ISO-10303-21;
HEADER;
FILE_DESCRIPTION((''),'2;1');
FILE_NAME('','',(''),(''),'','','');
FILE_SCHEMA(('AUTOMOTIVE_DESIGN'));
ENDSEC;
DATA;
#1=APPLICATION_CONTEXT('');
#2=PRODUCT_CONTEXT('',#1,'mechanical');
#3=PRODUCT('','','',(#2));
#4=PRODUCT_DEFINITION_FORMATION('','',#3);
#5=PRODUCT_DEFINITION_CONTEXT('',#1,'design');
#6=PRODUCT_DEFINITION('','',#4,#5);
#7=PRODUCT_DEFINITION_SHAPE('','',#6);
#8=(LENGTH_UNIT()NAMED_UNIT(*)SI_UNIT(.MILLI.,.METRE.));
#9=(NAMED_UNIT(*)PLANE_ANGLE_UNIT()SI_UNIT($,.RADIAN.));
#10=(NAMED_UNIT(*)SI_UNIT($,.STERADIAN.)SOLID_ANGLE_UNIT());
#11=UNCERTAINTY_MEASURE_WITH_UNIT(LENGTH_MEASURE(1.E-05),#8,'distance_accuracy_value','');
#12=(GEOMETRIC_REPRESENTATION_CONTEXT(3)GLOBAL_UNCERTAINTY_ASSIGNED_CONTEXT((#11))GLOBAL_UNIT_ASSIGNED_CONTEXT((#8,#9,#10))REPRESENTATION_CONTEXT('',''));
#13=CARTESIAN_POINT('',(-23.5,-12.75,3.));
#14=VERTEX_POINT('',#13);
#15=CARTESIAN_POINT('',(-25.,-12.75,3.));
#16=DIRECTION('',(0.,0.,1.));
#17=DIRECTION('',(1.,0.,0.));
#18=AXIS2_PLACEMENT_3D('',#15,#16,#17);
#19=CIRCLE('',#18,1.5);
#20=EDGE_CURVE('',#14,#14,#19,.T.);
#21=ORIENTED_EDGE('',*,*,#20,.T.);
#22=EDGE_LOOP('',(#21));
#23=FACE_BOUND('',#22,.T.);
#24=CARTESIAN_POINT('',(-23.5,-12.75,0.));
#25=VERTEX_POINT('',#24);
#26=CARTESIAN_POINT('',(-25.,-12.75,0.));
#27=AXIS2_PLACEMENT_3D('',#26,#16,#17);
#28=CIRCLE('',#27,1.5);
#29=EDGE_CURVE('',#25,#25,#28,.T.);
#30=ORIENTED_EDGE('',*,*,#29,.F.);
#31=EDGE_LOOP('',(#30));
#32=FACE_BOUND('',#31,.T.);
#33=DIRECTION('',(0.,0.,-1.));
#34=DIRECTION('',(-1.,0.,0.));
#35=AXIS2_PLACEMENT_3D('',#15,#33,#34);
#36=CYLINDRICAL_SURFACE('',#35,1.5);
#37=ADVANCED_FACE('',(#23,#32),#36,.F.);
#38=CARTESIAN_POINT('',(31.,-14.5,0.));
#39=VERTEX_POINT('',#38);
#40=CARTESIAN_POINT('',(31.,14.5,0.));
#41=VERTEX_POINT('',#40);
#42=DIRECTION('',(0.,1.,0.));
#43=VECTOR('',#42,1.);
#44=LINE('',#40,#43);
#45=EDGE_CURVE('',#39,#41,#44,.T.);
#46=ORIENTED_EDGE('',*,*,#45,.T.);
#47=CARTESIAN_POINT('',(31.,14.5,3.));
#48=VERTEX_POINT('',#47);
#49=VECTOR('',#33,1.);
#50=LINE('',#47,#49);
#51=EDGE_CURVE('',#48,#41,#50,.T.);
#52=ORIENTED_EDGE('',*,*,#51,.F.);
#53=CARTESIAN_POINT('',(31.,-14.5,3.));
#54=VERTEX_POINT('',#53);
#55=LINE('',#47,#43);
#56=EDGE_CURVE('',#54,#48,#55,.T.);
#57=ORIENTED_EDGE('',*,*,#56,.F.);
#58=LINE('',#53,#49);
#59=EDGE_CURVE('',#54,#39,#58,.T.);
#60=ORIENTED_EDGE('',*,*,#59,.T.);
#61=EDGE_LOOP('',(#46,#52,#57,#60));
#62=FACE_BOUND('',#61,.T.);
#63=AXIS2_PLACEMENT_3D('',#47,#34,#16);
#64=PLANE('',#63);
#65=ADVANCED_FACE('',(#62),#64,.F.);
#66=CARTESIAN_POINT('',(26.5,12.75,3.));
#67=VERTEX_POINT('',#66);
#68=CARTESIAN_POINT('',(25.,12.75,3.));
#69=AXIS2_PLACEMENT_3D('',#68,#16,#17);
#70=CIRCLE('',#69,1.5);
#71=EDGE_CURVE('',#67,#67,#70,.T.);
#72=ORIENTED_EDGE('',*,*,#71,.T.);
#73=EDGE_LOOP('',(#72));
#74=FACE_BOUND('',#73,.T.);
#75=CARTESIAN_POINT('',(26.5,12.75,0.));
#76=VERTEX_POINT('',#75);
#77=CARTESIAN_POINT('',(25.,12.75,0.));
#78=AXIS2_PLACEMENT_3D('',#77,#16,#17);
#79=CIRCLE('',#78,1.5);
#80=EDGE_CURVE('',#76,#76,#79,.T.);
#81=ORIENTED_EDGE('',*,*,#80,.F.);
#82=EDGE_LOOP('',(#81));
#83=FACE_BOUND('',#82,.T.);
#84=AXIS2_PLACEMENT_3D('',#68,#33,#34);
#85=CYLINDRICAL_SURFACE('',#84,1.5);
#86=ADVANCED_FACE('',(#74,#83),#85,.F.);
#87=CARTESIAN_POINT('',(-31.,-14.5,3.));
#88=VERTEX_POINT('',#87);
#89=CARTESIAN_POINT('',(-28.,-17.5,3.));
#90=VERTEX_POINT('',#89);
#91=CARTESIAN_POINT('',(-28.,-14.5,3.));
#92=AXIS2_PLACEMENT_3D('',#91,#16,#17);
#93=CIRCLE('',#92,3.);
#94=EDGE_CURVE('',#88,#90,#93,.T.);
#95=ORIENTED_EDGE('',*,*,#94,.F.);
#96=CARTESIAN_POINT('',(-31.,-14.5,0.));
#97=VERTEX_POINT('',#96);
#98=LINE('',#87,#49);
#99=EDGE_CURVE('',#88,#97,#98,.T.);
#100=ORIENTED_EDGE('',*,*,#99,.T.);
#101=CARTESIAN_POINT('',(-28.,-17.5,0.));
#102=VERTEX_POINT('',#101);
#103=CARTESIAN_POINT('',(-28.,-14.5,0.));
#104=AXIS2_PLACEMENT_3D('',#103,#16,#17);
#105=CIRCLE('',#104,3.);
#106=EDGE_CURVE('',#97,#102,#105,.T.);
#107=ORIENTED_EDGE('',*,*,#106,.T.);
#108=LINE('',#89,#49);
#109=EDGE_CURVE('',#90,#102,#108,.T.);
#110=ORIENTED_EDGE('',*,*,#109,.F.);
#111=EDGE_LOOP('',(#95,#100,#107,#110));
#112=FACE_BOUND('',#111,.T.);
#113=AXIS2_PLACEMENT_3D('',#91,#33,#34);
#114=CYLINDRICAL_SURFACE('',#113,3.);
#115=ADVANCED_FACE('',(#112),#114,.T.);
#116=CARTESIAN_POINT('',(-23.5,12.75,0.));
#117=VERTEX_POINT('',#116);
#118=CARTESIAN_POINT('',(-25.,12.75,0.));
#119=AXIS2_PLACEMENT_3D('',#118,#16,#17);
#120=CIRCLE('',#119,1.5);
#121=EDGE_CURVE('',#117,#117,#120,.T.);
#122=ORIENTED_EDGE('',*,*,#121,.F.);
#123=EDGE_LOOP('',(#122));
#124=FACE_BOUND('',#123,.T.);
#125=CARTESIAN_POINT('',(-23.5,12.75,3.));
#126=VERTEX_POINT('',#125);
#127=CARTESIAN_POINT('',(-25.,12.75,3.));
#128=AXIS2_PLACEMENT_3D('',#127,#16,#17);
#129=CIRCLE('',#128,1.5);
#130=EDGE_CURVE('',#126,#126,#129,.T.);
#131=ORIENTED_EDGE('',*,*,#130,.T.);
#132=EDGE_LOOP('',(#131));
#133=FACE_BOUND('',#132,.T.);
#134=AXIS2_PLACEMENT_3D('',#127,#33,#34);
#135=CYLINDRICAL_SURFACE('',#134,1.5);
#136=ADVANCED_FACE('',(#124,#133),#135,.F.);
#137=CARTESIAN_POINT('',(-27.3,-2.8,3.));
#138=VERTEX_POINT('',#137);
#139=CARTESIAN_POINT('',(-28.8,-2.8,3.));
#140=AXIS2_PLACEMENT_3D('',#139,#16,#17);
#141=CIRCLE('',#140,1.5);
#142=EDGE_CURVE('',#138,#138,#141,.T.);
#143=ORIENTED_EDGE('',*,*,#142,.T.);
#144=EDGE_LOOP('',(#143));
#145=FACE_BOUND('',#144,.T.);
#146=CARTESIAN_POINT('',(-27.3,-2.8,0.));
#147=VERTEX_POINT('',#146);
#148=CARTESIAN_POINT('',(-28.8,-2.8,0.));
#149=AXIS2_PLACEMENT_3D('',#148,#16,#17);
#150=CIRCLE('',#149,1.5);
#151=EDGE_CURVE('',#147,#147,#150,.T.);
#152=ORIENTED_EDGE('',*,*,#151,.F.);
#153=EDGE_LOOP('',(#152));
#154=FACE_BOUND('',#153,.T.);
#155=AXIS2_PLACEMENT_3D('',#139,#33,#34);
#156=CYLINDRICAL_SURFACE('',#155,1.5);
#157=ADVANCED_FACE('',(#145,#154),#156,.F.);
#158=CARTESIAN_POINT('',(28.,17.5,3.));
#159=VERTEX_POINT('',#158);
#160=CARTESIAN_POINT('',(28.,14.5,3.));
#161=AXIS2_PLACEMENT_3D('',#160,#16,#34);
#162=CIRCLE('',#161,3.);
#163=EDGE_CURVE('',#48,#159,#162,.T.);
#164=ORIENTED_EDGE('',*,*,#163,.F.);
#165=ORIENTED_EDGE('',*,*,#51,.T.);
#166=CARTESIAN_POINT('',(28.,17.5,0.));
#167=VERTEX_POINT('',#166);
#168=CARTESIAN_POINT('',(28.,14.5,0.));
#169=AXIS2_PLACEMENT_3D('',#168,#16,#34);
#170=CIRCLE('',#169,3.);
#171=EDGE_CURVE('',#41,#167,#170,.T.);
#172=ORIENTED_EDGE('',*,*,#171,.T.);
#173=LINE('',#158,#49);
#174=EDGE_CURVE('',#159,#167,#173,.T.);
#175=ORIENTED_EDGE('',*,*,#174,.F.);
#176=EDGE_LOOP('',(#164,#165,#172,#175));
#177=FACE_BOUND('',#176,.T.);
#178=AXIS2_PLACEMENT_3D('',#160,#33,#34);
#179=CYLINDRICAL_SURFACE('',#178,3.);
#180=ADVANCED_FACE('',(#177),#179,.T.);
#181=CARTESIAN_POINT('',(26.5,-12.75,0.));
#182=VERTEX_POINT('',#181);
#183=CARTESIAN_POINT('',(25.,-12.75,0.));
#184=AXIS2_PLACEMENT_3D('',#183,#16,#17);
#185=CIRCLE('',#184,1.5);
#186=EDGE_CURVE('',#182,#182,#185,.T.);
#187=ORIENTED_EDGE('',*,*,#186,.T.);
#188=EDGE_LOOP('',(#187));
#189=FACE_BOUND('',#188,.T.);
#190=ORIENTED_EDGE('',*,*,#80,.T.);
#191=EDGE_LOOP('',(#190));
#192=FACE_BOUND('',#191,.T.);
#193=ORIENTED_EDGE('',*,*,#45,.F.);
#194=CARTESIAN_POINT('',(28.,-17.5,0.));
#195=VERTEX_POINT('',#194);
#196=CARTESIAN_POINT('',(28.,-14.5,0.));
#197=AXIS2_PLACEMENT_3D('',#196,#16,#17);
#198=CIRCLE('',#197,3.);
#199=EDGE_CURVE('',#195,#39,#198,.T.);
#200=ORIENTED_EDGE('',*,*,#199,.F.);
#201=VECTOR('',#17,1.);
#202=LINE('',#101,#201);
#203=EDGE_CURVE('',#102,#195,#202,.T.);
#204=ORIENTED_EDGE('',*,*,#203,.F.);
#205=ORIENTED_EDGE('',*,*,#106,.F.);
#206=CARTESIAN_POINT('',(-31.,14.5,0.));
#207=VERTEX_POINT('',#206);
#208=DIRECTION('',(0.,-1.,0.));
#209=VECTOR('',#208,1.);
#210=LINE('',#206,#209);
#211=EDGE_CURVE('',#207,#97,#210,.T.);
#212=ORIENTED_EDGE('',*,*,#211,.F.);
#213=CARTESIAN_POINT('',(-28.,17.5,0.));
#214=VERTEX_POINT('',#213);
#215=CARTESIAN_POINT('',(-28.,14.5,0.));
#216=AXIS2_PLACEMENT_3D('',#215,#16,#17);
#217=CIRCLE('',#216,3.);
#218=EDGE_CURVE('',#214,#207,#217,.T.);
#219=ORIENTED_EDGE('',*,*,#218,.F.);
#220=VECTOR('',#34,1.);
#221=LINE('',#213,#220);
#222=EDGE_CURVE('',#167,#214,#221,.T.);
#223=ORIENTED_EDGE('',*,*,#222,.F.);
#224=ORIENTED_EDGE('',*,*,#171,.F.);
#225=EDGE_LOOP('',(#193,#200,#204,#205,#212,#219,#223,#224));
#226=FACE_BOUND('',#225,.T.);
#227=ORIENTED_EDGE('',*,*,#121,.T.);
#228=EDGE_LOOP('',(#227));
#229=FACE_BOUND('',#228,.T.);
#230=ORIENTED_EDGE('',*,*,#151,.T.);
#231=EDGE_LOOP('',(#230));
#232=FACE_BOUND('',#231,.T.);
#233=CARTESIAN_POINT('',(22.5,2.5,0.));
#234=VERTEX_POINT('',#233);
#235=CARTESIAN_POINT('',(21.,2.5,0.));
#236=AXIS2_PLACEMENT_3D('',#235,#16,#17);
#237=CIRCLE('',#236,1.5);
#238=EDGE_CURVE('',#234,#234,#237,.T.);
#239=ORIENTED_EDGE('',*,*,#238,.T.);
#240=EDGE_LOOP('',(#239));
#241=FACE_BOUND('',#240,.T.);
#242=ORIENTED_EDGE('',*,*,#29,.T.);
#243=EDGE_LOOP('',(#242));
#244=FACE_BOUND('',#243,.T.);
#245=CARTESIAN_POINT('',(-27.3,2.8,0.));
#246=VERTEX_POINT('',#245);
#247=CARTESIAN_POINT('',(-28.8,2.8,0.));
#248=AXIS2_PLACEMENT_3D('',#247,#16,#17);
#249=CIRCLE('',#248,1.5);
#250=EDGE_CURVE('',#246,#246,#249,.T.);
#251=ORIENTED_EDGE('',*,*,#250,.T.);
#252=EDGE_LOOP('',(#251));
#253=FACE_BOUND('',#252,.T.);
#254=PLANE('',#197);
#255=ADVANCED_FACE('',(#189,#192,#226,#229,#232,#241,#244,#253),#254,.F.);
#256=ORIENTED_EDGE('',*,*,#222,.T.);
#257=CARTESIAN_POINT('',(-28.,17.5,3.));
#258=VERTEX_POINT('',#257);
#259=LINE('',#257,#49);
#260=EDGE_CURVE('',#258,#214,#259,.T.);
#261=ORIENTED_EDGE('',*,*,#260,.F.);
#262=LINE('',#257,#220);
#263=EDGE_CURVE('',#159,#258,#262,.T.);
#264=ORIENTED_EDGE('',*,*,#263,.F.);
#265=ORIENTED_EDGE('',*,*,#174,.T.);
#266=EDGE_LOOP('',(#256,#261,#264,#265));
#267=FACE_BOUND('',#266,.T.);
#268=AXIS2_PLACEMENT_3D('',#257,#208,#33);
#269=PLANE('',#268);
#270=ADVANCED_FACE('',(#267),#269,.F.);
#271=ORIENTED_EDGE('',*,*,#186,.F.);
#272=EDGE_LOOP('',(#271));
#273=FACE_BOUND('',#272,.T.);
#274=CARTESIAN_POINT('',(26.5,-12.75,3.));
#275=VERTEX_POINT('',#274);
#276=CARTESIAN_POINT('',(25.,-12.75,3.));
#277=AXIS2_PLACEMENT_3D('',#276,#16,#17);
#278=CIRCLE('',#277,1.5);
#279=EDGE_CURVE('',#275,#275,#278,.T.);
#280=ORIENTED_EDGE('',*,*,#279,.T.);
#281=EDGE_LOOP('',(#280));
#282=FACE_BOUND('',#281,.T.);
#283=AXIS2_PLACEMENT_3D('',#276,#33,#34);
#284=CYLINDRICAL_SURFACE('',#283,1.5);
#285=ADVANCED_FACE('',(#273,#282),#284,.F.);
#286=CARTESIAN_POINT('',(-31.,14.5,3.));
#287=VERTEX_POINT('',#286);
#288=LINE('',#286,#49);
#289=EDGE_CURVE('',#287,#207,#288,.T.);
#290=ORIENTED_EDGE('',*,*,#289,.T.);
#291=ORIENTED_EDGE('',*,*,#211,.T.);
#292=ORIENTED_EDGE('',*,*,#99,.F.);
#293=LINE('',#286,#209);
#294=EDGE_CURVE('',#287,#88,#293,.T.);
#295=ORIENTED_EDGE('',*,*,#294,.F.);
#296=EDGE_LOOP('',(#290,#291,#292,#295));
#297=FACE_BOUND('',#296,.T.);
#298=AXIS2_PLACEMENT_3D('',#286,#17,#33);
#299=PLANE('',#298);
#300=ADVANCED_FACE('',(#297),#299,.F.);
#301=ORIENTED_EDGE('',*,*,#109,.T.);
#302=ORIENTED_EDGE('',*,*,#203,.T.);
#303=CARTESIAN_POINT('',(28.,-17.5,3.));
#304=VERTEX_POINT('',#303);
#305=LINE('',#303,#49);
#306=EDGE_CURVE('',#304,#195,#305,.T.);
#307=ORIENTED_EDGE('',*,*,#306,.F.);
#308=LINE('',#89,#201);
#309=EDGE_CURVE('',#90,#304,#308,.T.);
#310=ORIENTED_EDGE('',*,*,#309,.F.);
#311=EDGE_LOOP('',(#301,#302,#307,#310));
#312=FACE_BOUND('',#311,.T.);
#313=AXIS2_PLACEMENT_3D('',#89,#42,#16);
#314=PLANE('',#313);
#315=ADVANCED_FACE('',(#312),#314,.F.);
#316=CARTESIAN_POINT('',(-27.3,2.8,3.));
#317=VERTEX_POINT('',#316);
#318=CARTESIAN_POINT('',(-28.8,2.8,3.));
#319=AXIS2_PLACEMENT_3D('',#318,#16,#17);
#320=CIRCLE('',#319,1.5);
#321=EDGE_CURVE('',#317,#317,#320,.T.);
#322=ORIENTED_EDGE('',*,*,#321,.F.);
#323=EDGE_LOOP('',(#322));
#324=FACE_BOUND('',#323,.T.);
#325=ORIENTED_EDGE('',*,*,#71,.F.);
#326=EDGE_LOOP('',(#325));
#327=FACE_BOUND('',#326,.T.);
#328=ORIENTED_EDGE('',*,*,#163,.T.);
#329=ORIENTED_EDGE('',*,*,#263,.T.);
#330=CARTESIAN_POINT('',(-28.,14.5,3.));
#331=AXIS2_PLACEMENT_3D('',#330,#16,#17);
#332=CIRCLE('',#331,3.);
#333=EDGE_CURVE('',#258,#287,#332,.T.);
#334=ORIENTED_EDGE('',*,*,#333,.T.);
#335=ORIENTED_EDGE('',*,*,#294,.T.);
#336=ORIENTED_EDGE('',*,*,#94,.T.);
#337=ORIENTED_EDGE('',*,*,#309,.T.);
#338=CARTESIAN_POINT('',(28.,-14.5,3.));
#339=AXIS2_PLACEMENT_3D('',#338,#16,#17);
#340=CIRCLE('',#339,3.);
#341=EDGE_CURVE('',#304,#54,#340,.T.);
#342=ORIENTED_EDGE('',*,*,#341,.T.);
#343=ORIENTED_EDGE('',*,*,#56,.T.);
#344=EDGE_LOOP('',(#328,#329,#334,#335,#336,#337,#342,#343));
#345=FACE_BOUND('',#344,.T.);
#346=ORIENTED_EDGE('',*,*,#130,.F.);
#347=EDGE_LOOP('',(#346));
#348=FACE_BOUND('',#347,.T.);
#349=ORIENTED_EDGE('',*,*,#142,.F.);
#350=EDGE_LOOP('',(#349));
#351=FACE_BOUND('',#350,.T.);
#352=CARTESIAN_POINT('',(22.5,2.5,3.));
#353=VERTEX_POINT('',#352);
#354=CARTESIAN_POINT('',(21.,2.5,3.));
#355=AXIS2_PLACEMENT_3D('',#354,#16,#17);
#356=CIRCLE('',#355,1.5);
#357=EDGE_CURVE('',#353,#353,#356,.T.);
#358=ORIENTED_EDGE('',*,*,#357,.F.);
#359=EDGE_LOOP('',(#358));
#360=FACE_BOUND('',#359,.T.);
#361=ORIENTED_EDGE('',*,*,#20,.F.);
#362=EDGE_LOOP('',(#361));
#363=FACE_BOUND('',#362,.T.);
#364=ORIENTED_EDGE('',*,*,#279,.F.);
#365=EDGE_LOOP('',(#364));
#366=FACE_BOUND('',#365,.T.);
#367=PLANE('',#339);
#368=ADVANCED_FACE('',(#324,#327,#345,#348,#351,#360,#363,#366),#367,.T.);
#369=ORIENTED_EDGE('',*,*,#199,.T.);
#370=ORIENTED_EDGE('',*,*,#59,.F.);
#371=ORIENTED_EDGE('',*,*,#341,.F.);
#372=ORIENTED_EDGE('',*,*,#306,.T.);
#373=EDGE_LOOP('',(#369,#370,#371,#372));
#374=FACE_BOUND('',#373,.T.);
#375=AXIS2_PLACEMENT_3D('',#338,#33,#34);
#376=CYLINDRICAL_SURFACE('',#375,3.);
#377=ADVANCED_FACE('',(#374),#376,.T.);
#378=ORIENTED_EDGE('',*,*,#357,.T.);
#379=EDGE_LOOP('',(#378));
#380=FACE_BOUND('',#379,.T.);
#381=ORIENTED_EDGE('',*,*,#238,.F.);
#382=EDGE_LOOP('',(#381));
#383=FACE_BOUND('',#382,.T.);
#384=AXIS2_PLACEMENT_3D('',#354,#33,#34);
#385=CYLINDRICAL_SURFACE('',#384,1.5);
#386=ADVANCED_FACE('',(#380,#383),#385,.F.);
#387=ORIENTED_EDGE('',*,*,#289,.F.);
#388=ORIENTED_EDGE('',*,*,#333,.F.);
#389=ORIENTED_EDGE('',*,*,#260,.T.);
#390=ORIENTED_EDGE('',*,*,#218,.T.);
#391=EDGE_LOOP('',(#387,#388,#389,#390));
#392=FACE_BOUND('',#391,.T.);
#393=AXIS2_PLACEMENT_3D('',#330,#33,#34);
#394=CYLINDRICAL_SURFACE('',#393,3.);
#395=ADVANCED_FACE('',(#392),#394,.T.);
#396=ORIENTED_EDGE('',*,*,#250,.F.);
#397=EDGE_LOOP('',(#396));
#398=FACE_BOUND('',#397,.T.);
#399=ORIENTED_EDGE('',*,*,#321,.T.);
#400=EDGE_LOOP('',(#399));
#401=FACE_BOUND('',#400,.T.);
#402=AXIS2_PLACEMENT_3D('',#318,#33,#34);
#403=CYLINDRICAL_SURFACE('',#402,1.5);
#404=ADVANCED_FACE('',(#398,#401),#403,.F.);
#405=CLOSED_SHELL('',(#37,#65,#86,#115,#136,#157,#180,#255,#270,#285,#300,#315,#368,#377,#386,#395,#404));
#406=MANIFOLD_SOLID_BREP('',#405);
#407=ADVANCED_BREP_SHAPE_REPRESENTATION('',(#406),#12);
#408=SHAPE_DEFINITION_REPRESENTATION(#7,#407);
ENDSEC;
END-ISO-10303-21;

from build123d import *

# Parameters (mm, degrees)
SKETCH1_R           = 1.5
BOSS_EXTRUDE1_DEPTH = 3


with BuildPart() as part:
    # Sketch1 → Boss-Extrude1 (new body)
    with BuildSketch(Plane.XY):
        with BuildLine():
            Line((-28, 17.5), (28, 17.5))
            ThreePointArc((28, 17.5), (30.121320344, 16.621320344), (31, 14.5))
            Line((31, 14.5), (31, -14.5))
            ThreePointArc((31, -14.5), (30.121320344, -16.621320344), (28, -17.5))
            Line((28, -17.5), (-28, -17.5))
            ThreePointArc((-28, -17.5), (-30.121320344, -16.621320344), (-31, -14.5))
            Line((-31, -14.5), (-31, 14.5))
            ThreePointArc((-31, 14.5), (-30.121320344, 16.621320344), (-28, 17.5))
        make_face()
        with Locations((-28.8, 2.8)):
            Circle(SKETCH1_R, mode=Mode.SUBTRACT)
        with Locations((-28.8, -2.8)):
            Circle(SKETCH1_R, mode=Mode.SUBTRACT)
        with Locations((21, 2.5)):
            Circle(SKETCH1_R, mode=Mode.SUBTRACT)
        with Locations((-25, 12.75)):
            Circle(SKETCH1_R, mode=Mode.SUBTRACT)
        with Locations((25, 12.75)):
            Circle(SKETCH1_R, mode=Mode.SUBTRACT)
        with Locations((25, -12.75)):
            Circle(SKETCH1_R, mode=Mode.SUBTRACT)
        with Locations((-25, -12.75)):
            Circle(SKETCH1_R, mode=Mode.SUBTRACT)
    extrude(amount=BOSS_EXTRUDE1_DEPTH)


solid = part.part
